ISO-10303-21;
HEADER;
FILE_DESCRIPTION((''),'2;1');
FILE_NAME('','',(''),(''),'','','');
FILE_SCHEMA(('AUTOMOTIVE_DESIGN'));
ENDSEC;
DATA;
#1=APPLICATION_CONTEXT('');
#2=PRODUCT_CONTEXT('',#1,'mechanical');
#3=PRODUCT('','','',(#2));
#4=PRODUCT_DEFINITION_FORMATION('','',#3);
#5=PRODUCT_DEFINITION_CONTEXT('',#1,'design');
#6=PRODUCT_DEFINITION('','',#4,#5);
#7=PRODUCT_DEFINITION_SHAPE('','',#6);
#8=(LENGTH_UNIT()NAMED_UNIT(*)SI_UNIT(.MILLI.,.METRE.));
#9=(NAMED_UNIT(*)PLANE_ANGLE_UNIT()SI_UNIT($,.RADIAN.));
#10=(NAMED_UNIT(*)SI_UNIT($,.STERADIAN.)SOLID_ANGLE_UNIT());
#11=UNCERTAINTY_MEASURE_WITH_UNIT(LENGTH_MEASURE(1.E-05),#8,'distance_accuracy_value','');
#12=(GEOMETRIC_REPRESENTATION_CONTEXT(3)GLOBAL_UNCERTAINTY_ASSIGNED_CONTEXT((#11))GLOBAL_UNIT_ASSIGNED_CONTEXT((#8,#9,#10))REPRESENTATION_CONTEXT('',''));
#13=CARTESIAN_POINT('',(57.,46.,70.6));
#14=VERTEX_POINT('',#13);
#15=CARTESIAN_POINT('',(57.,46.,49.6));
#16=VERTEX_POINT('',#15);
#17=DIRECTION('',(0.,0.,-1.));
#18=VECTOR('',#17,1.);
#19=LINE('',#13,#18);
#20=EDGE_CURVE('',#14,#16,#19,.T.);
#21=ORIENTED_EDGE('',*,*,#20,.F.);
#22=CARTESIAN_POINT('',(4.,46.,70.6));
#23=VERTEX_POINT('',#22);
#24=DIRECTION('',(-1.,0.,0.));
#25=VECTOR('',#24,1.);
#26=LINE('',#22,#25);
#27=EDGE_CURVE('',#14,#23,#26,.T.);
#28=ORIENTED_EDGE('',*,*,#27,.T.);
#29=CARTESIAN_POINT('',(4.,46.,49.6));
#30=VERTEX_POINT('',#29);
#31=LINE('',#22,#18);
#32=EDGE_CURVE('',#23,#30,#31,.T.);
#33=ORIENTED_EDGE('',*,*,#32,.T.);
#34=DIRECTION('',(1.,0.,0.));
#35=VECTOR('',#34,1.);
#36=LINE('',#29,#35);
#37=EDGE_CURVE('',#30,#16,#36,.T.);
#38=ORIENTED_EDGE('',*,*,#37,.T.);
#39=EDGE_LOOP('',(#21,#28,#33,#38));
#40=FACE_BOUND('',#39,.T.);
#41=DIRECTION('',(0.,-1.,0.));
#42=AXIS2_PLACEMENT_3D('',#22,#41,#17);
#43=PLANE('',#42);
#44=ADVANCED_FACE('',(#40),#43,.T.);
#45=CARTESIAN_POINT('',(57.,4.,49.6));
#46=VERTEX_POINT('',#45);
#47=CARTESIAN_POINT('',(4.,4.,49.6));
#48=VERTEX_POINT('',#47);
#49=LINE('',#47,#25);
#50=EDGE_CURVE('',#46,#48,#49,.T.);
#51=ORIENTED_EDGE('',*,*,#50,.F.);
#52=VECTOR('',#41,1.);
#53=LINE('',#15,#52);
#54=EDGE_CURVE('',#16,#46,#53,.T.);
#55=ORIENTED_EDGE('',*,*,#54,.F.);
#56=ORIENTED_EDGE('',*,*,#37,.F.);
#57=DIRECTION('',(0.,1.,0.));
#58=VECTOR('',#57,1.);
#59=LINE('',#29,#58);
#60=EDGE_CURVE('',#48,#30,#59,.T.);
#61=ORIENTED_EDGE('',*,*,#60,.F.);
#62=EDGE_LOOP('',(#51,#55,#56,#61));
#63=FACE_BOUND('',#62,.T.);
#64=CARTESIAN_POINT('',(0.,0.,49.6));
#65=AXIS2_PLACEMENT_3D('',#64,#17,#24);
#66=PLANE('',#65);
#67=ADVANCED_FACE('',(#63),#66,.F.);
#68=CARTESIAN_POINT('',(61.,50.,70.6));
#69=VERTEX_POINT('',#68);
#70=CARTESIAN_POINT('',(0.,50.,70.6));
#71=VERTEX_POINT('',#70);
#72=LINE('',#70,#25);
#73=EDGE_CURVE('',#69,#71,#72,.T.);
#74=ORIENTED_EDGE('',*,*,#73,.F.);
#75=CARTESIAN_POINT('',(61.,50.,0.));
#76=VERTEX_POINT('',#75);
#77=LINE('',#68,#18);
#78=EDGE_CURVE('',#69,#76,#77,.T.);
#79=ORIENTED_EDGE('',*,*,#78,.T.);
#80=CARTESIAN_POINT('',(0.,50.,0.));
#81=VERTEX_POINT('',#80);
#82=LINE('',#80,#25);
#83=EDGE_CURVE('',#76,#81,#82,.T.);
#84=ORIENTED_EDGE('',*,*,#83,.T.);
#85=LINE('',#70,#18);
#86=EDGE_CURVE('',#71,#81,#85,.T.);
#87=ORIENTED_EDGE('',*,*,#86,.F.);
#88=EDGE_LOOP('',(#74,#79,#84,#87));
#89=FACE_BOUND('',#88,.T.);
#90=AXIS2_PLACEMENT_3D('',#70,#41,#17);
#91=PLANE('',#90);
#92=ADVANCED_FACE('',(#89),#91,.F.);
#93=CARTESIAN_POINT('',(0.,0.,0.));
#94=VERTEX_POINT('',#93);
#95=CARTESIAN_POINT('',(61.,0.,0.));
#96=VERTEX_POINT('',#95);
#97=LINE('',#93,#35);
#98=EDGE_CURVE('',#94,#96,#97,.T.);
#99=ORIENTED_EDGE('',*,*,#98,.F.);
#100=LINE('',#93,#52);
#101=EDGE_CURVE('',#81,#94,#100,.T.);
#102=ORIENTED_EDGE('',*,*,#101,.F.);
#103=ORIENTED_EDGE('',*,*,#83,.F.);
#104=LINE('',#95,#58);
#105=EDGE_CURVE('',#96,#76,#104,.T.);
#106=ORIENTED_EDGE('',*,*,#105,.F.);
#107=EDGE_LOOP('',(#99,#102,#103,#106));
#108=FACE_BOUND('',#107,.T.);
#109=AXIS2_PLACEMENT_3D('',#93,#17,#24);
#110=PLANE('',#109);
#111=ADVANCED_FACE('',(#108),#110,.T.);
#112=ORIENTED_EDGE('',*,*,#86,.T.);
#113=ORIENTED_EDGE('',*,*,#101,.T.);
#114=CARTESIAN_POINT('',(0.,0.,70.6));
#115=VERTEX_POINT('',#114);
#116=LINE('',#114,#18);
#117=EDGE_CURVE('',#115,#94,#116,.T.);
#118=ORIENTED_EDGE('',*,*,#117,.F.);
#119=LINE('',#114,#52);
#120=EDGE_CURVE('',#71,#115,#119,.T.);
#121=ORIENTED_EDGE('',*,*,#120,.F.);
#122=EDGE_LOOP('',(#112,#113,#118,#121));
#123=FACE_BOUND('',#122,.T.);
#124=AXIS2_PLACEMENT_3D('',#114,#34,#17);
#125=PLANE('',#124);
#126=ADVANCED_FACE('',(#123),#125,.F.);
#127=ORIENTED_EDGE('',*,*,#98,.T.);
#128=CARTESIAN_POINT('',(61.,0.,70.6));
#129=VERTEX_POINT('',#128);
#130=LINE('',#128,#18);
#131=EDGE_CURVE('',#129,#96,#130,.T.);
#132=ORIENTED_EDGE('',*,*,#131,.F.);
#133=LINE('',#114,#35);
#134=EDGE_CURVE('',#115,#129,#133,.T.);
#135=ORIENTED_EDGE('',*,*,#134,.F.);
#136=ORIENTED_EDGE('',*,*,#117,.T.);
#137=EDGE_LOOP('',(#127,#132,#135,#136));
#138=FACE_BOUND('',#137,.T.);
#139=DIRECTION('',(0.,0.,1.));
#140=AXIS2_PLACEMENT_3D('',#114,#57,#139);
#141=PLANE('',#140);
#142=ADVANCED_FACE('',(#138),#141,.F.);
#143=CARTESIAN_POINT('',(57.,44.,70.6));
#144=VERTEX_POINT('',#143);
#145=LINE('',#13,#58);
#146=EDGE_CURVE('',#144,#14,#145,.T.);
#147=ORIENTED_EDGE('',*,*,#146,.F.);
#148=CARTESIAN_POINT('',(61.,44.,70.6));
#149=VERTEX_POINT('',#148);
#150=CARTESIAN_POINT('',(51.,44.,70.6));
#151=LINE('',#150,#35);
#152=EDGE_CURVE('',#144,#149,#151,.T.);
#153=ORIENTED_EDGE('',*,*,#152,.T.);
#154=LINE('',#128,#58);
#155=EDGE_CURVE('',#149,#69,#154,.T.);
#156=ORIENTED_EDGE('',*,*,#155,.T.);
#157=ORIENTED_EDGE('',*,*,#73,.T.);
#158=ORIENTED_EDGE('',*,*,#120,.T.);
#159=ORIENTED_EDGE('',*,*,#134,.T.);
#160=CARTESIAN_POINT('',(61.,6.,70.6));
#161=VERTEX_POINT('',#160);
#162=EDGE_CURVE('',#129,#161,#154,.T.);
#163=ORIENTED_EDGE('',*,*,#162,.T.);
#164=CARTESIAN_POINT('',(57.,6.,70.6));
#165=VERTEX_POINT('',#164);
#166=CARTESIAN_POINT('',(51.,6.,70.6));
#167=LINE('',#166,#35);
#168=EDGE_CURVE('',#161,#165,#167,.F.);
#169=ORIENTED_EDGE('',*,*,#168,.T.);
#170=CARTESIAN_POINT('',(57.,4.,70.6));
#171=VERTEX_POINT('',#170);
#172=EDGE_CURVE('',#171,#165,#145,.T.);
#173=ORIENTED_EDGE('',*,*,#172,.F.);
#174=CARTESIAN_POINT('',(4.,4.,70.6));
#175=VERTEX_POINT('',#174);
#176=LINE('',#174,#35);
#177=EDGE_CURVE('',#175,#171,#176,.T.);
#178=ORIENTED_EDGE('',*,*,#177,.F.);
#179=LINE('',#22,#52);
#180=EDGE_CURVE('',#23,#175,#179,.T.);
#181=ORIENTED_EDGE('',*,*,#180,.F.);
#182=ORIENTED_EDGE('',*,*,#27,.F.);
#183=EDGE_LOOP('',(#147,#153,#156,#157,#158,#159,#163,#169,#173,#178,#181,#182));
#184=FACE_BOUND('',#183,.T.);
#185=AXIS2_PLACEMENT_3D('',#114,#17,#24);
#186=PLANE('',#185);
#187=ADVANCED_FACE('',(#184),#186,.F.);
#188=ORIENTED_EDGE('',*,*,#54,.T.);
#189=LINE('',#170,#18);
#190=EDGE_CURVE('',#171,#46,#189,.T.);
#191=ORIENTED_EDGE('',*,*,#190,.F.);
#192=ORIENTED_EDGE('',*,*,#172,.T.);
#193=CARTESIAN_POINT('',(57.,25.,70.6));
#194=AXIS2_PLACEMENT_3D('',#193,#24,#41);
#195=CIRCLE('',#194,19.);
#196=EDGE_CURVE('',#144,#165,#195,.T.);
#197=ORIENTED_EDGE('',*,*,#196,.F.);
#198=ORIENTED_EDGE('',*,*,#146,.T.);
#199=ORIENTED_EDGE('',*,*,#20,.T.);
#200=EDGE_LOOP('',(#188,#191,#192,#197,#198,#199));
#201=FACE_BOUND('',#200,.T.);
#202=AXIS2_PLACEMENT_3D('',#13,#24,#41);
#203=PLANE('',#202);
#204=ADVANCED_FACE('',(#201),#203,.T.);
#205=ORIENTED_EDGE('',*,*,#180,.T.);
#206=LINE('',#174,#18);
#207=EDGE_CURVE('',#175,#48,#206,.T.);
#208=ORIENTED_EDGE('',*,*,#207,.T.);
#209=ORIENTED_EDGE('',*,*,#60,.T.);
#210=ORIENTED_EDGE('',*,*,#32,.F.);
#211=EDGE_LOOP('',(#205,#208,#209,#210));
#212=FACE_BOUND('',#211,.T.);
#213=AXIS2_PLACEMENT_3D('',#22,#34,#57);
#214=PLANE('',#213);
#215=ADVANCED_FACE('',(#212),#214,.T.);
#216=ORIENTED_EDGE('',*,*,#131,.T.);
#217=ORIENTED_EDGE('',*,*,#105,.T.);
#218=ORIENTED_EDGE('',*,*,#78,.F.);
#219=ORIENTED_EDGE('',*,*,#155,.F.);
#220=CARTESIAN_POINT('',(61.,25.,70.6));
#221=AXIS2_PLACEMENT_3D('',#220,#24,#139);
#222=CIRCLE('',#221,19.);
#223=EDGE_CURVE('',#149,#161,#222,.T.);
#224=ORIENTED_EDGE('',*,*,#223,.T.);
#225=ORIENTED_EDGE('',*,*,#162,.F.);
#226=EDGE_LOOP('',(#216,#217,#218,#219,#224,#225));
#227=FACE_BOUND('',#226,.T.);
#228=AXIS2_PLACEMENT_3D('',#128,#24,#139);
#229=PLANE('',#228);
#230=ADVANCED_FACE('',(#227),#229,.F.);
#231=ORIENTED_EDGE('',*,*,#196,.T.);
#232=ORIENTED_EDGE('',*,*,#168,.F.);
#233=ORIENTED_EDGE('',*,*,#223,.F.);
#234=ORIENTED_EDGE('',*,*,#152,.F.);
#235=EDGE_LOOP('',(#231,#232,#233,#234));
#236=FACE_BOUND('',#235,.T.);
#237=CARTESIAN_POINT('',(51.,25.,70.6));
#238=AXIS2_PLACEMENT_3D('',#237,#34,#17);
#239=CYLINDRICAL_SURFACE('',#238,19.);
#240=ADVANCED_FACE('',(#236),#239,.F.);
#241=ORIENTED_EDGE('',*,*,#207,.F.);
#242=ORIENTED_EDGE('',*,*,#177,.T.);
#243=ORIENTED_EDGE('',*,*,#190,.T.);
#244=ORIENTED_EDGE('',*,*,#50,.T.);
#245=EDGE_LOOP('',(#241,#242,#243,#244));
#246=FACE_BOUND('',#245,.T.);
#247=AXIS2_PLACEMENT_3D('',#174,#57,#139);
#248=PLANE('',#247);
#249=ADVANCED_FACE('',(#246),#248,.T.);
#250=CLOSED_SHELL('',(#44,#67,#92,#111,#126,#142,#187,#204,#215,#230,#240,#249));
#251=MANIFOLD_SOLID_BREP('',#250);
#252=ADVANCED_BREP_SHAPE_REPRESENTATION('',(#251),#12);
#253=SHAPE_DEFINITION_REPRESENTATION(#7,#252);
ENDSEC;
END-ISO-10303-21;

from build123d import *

# Parameters (mm, degrees)
SKETCH1_W           = 61
SKETCH1_H           = 50
SKETCH1_W_2         = 53
SKETCH1_H_2         = 42
BOSS_EXTRUDE1_DEPTH = 70.6
SKETCH2_W           = 61
SKETCH2_H           = 50
BOSS_EXTRUDE2_DEPTH = 49.6
SKETCH3_R           = 19
CUT_EXTRUDE1_DEPTH  = 10


with BuildPart() as part:
    # Sketch1 → Boss-Extrude1 (new body)
    with BuildSketch(Plane.XY):
        with Locations((30.5, 25)):
            Rectangle(SKETCH1_W, SKETCH1_H)
        with Locations((30.5, 25)):
            Rectangle(SKETCH1_W_2, SKETCH1_H_2, mode=Mode.SUBTRACT)
    extrude(amount=BOSS_EXTRUDE1_DEPTH)

    # Sketch2 → Boss-Extrude2 (add)
    with BuildSketch(Plane(origin=(0, 0, 0), x_dir=(-1, 0, 0), z_dir=(0, 0, -1))):
        with Locations((-30.5, 25)):
            Rectangle(SKETCH2_W, SKETCH2_H)
    extrude(amount=-BOSS_EXTRUDE2_DEPTH)

    # Sketch3 → Cut-Extrude1 (cut)
    with BuildSketch(Plane(origin=(61, 0, 0), x_dir=(0, 0, -1), z_dir=(1, 0, 0))):
        with Locations((-70.6, 25)):
            Circle(SKETCH3_R)
    extrude(amount=-CUT_EXTRUDE1_DEPTH, mode=Mode.SUBTRACT)


solid = part.part
